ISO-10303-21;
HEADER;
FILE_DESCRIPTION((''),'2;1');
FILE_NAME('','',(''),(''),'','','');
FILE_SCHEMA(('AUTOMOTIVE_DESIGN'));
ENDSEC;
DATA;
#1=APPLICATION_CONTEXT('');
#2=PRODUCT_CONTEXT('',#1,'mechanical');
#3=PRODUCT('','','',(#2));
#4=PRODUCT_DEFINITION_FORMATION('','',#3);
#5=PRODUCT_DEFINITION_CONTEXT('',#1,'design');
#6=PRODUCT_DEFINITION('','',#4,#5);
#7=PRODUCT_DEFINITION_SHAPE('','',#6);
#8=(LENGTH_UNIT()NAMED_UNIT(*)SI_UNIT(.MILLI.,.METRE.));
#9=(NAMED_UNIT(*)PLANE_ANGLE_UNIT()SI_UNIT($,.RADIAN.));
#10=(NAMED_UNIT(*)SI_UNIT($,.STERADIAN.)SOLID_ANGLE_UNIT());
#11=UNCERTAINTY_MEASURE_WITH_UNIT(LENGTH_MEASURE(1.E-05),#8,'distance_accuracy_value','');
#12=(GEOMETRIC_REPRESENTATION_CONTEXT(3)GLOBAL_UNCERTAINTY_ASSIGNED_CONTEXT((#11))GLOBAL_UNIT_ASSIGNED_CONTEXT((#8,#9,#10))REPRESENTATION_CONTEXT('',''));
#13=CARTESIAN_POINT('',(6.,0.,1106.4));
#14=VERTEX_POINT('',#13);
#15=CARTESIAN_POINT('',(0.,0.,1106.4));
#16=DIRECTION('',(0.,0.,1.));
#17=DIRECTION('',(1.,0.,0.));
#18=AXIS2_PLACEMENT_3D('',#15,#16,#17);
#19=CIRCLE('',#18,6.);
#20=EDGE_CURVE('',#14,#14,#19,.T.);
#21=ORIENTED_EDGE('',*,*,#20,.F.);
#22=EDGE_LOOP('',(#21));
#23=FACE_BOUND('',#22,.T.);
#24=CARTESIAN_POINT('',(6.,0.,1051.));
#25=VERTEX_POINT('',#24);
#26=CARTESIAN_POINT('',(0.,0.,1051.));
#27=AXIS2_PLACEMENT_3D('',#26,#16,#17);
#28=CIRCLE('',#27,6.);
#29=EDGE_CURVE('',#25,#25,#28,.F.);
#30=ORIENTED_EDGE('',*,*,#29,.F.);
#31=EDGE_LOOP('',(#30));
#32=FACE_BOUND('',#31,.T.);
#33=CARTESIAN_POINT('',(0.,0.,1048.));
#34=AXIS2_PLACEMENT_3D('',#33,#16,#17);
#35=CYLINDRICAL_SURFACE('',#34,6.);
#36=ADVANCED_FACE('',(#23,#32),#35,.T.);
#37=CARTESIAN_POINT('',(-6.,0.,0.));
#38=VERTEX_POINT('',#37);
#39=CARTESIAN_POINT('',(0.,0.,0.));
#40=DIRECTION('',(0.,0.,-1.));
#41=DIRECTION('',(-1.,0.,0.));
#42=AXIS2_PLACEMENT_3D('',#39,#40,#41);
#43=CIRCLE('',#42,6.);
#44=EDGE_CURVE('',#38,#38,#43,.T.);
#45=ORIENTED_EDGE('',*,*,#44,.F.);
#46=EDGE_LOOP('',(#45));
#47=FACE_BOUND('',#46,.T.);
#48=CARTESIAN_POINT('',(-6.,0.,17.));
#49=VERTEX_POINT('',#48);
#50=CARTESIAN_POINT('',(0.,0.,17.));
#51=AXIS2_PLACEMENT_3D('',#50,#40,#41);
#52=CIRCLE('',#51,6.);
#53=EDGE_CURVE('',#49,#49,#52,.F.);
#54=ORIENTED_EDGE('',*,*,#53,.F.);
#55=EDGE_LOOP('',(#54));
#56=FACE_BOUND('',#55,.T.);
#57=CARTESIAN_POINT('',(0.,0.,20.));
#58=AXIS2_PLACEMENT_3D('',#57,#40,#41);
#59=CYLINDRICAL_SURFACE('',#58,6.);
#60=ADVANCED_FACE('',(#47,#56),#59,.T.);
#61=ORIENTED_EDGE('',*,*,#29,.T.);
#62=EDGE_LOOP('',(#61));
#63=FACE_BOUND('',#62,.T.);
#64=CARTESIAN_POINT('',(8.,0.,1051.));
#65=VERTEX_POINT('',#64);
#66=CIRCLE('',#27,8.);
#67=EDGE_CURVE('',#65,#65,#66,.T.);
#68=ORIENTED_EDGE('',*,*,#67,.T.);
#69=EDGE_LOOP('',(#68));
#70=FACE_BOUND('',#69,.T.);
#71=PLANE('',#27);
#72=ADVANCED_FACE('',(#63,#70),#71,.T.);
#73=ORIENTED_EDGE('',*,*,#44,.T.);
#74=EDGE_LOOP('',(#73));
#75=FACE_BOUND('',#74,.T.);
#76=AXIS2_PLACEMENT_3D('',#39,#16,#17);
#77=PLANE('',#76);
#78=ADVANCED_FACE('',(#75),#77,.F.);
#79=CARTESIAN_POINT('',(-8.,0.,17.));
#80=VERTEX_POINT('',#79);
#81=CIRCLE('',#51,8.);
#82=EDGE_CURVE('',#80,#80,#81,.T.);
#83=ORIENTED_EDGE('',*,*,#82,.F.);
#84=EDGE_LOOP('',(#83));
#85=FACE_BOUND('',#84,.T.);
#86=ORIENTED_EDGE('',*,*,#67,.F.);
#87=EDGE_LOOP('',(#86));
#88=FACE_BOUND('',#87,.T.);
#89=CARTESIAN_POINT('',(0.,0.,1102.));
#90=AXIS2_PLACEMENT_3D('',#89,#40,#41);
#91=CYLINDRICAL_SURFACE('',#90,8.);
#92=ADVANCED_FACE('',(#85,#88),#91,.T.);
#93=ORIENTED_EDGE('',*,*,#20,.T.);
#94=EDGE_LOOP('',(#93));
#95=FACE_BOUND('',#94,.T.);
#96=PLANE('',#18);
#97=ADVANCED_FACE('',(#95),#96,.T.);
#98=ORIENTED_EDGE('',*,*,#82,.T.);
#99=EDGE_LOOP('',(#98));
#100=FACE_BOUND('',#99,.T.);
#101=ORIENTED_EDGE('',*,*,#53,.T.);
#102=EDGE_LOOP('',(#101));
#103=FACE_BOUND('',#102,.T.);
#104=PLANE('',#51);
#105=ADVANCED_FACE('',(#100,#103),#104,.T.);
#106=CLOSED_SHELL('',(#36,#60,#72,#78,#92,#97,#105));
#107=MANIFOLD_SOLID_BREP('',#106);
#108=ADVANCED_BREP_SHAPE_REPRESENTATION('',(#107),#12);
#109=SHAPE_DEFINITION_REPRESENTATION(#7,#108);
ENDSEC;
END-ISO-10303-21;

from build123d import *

# Parameters (mm, degrees)
SKETCH1_R          = 8
EXTRUDE1_DEPTH     = 1102
SKETCH3_R          = 8
SKETCH3_R_2        = 6
CUT_EXTRUDE1_DEPTH = 54
SKETCH4_R          = 8
SKETCH4_R_2        = 6
CUT_EXTRUDE2_DEPTH = 20
SKETCH5_R          = 6
EXTRUDE2_DEPTH     = 4.4
SKETCH6_R          = 8
SKETCH6_R_2        = 6
EXTRUDE3_DEPTH     = 3
SKETCH7_R          = 8
SKETCH7_R_2        = 6
EXTRUDE4_DEPTH     = 3


with BuildPart() as part:
    # Sketch1 → Extrude1 (new body)
    with BuildSketch(Plane.XY):
        Circle(SKETCH1_R)
    extrude(amount=EXTRUDE1_DEPTH)

    # Sketch3 → Cut-Extrude1 (cut)
    with BuildSketch(Plane.XY.offset(1102)):
        Circle(SKETCH3_R)
        Circle(SKETCH3_R_2, mode=Mode.SUBTRACT)
    extrude(amount=-CUT_EXTRUDE1_DEPTH, mode=Mode.SUBTRACT)

    # Sketch4 → Cut-Extrude2 (cut)
    with BuildSketch(Plane(origin=(0, 0, 0), x_dir=(-1, 0, 0), z_dir=(0, 0, -1))):
        Circle(SKETCH4_R)
        Circle(SKETCH4_R_2, mode=Mode.SUBTRACT)
    extrude(amount=-CUT_EXTRUDE2_DEPTH, mode=Mode.SUBTRACT)

    # Sketch5 → Extrude2 (add)
    with BuildSketch(Plane.XY.offset(1102)):
        Circle(SKETCH5_R)
    extrude(amount=EXTRUDE2_DEPTH)

    # Sketch6 → Extrude3 (add)
    with BuildSketch(Plane.XY.offset(1048)):
        Circle(SKETCH6_R)
        Circle(SKETCH6_R_2, mode=Mode.SUBTRACT)
    extrude(amount=EXTRUDE3_DEPTH)

    # Sketch7 → Extrude4 (add)
    with BuildSketch(Plane(origin=(0, 0, 20), x_dir=(-1, 0, 0), z_dir=(0, 0, -1))):
        Circle(SKETCH7_R)
        Circle(SKETCH7_R_2, mode=Mode.SUBTRACT)
    extrude(amount=EXTRUDE4_DEPTH)


solid = part.part
